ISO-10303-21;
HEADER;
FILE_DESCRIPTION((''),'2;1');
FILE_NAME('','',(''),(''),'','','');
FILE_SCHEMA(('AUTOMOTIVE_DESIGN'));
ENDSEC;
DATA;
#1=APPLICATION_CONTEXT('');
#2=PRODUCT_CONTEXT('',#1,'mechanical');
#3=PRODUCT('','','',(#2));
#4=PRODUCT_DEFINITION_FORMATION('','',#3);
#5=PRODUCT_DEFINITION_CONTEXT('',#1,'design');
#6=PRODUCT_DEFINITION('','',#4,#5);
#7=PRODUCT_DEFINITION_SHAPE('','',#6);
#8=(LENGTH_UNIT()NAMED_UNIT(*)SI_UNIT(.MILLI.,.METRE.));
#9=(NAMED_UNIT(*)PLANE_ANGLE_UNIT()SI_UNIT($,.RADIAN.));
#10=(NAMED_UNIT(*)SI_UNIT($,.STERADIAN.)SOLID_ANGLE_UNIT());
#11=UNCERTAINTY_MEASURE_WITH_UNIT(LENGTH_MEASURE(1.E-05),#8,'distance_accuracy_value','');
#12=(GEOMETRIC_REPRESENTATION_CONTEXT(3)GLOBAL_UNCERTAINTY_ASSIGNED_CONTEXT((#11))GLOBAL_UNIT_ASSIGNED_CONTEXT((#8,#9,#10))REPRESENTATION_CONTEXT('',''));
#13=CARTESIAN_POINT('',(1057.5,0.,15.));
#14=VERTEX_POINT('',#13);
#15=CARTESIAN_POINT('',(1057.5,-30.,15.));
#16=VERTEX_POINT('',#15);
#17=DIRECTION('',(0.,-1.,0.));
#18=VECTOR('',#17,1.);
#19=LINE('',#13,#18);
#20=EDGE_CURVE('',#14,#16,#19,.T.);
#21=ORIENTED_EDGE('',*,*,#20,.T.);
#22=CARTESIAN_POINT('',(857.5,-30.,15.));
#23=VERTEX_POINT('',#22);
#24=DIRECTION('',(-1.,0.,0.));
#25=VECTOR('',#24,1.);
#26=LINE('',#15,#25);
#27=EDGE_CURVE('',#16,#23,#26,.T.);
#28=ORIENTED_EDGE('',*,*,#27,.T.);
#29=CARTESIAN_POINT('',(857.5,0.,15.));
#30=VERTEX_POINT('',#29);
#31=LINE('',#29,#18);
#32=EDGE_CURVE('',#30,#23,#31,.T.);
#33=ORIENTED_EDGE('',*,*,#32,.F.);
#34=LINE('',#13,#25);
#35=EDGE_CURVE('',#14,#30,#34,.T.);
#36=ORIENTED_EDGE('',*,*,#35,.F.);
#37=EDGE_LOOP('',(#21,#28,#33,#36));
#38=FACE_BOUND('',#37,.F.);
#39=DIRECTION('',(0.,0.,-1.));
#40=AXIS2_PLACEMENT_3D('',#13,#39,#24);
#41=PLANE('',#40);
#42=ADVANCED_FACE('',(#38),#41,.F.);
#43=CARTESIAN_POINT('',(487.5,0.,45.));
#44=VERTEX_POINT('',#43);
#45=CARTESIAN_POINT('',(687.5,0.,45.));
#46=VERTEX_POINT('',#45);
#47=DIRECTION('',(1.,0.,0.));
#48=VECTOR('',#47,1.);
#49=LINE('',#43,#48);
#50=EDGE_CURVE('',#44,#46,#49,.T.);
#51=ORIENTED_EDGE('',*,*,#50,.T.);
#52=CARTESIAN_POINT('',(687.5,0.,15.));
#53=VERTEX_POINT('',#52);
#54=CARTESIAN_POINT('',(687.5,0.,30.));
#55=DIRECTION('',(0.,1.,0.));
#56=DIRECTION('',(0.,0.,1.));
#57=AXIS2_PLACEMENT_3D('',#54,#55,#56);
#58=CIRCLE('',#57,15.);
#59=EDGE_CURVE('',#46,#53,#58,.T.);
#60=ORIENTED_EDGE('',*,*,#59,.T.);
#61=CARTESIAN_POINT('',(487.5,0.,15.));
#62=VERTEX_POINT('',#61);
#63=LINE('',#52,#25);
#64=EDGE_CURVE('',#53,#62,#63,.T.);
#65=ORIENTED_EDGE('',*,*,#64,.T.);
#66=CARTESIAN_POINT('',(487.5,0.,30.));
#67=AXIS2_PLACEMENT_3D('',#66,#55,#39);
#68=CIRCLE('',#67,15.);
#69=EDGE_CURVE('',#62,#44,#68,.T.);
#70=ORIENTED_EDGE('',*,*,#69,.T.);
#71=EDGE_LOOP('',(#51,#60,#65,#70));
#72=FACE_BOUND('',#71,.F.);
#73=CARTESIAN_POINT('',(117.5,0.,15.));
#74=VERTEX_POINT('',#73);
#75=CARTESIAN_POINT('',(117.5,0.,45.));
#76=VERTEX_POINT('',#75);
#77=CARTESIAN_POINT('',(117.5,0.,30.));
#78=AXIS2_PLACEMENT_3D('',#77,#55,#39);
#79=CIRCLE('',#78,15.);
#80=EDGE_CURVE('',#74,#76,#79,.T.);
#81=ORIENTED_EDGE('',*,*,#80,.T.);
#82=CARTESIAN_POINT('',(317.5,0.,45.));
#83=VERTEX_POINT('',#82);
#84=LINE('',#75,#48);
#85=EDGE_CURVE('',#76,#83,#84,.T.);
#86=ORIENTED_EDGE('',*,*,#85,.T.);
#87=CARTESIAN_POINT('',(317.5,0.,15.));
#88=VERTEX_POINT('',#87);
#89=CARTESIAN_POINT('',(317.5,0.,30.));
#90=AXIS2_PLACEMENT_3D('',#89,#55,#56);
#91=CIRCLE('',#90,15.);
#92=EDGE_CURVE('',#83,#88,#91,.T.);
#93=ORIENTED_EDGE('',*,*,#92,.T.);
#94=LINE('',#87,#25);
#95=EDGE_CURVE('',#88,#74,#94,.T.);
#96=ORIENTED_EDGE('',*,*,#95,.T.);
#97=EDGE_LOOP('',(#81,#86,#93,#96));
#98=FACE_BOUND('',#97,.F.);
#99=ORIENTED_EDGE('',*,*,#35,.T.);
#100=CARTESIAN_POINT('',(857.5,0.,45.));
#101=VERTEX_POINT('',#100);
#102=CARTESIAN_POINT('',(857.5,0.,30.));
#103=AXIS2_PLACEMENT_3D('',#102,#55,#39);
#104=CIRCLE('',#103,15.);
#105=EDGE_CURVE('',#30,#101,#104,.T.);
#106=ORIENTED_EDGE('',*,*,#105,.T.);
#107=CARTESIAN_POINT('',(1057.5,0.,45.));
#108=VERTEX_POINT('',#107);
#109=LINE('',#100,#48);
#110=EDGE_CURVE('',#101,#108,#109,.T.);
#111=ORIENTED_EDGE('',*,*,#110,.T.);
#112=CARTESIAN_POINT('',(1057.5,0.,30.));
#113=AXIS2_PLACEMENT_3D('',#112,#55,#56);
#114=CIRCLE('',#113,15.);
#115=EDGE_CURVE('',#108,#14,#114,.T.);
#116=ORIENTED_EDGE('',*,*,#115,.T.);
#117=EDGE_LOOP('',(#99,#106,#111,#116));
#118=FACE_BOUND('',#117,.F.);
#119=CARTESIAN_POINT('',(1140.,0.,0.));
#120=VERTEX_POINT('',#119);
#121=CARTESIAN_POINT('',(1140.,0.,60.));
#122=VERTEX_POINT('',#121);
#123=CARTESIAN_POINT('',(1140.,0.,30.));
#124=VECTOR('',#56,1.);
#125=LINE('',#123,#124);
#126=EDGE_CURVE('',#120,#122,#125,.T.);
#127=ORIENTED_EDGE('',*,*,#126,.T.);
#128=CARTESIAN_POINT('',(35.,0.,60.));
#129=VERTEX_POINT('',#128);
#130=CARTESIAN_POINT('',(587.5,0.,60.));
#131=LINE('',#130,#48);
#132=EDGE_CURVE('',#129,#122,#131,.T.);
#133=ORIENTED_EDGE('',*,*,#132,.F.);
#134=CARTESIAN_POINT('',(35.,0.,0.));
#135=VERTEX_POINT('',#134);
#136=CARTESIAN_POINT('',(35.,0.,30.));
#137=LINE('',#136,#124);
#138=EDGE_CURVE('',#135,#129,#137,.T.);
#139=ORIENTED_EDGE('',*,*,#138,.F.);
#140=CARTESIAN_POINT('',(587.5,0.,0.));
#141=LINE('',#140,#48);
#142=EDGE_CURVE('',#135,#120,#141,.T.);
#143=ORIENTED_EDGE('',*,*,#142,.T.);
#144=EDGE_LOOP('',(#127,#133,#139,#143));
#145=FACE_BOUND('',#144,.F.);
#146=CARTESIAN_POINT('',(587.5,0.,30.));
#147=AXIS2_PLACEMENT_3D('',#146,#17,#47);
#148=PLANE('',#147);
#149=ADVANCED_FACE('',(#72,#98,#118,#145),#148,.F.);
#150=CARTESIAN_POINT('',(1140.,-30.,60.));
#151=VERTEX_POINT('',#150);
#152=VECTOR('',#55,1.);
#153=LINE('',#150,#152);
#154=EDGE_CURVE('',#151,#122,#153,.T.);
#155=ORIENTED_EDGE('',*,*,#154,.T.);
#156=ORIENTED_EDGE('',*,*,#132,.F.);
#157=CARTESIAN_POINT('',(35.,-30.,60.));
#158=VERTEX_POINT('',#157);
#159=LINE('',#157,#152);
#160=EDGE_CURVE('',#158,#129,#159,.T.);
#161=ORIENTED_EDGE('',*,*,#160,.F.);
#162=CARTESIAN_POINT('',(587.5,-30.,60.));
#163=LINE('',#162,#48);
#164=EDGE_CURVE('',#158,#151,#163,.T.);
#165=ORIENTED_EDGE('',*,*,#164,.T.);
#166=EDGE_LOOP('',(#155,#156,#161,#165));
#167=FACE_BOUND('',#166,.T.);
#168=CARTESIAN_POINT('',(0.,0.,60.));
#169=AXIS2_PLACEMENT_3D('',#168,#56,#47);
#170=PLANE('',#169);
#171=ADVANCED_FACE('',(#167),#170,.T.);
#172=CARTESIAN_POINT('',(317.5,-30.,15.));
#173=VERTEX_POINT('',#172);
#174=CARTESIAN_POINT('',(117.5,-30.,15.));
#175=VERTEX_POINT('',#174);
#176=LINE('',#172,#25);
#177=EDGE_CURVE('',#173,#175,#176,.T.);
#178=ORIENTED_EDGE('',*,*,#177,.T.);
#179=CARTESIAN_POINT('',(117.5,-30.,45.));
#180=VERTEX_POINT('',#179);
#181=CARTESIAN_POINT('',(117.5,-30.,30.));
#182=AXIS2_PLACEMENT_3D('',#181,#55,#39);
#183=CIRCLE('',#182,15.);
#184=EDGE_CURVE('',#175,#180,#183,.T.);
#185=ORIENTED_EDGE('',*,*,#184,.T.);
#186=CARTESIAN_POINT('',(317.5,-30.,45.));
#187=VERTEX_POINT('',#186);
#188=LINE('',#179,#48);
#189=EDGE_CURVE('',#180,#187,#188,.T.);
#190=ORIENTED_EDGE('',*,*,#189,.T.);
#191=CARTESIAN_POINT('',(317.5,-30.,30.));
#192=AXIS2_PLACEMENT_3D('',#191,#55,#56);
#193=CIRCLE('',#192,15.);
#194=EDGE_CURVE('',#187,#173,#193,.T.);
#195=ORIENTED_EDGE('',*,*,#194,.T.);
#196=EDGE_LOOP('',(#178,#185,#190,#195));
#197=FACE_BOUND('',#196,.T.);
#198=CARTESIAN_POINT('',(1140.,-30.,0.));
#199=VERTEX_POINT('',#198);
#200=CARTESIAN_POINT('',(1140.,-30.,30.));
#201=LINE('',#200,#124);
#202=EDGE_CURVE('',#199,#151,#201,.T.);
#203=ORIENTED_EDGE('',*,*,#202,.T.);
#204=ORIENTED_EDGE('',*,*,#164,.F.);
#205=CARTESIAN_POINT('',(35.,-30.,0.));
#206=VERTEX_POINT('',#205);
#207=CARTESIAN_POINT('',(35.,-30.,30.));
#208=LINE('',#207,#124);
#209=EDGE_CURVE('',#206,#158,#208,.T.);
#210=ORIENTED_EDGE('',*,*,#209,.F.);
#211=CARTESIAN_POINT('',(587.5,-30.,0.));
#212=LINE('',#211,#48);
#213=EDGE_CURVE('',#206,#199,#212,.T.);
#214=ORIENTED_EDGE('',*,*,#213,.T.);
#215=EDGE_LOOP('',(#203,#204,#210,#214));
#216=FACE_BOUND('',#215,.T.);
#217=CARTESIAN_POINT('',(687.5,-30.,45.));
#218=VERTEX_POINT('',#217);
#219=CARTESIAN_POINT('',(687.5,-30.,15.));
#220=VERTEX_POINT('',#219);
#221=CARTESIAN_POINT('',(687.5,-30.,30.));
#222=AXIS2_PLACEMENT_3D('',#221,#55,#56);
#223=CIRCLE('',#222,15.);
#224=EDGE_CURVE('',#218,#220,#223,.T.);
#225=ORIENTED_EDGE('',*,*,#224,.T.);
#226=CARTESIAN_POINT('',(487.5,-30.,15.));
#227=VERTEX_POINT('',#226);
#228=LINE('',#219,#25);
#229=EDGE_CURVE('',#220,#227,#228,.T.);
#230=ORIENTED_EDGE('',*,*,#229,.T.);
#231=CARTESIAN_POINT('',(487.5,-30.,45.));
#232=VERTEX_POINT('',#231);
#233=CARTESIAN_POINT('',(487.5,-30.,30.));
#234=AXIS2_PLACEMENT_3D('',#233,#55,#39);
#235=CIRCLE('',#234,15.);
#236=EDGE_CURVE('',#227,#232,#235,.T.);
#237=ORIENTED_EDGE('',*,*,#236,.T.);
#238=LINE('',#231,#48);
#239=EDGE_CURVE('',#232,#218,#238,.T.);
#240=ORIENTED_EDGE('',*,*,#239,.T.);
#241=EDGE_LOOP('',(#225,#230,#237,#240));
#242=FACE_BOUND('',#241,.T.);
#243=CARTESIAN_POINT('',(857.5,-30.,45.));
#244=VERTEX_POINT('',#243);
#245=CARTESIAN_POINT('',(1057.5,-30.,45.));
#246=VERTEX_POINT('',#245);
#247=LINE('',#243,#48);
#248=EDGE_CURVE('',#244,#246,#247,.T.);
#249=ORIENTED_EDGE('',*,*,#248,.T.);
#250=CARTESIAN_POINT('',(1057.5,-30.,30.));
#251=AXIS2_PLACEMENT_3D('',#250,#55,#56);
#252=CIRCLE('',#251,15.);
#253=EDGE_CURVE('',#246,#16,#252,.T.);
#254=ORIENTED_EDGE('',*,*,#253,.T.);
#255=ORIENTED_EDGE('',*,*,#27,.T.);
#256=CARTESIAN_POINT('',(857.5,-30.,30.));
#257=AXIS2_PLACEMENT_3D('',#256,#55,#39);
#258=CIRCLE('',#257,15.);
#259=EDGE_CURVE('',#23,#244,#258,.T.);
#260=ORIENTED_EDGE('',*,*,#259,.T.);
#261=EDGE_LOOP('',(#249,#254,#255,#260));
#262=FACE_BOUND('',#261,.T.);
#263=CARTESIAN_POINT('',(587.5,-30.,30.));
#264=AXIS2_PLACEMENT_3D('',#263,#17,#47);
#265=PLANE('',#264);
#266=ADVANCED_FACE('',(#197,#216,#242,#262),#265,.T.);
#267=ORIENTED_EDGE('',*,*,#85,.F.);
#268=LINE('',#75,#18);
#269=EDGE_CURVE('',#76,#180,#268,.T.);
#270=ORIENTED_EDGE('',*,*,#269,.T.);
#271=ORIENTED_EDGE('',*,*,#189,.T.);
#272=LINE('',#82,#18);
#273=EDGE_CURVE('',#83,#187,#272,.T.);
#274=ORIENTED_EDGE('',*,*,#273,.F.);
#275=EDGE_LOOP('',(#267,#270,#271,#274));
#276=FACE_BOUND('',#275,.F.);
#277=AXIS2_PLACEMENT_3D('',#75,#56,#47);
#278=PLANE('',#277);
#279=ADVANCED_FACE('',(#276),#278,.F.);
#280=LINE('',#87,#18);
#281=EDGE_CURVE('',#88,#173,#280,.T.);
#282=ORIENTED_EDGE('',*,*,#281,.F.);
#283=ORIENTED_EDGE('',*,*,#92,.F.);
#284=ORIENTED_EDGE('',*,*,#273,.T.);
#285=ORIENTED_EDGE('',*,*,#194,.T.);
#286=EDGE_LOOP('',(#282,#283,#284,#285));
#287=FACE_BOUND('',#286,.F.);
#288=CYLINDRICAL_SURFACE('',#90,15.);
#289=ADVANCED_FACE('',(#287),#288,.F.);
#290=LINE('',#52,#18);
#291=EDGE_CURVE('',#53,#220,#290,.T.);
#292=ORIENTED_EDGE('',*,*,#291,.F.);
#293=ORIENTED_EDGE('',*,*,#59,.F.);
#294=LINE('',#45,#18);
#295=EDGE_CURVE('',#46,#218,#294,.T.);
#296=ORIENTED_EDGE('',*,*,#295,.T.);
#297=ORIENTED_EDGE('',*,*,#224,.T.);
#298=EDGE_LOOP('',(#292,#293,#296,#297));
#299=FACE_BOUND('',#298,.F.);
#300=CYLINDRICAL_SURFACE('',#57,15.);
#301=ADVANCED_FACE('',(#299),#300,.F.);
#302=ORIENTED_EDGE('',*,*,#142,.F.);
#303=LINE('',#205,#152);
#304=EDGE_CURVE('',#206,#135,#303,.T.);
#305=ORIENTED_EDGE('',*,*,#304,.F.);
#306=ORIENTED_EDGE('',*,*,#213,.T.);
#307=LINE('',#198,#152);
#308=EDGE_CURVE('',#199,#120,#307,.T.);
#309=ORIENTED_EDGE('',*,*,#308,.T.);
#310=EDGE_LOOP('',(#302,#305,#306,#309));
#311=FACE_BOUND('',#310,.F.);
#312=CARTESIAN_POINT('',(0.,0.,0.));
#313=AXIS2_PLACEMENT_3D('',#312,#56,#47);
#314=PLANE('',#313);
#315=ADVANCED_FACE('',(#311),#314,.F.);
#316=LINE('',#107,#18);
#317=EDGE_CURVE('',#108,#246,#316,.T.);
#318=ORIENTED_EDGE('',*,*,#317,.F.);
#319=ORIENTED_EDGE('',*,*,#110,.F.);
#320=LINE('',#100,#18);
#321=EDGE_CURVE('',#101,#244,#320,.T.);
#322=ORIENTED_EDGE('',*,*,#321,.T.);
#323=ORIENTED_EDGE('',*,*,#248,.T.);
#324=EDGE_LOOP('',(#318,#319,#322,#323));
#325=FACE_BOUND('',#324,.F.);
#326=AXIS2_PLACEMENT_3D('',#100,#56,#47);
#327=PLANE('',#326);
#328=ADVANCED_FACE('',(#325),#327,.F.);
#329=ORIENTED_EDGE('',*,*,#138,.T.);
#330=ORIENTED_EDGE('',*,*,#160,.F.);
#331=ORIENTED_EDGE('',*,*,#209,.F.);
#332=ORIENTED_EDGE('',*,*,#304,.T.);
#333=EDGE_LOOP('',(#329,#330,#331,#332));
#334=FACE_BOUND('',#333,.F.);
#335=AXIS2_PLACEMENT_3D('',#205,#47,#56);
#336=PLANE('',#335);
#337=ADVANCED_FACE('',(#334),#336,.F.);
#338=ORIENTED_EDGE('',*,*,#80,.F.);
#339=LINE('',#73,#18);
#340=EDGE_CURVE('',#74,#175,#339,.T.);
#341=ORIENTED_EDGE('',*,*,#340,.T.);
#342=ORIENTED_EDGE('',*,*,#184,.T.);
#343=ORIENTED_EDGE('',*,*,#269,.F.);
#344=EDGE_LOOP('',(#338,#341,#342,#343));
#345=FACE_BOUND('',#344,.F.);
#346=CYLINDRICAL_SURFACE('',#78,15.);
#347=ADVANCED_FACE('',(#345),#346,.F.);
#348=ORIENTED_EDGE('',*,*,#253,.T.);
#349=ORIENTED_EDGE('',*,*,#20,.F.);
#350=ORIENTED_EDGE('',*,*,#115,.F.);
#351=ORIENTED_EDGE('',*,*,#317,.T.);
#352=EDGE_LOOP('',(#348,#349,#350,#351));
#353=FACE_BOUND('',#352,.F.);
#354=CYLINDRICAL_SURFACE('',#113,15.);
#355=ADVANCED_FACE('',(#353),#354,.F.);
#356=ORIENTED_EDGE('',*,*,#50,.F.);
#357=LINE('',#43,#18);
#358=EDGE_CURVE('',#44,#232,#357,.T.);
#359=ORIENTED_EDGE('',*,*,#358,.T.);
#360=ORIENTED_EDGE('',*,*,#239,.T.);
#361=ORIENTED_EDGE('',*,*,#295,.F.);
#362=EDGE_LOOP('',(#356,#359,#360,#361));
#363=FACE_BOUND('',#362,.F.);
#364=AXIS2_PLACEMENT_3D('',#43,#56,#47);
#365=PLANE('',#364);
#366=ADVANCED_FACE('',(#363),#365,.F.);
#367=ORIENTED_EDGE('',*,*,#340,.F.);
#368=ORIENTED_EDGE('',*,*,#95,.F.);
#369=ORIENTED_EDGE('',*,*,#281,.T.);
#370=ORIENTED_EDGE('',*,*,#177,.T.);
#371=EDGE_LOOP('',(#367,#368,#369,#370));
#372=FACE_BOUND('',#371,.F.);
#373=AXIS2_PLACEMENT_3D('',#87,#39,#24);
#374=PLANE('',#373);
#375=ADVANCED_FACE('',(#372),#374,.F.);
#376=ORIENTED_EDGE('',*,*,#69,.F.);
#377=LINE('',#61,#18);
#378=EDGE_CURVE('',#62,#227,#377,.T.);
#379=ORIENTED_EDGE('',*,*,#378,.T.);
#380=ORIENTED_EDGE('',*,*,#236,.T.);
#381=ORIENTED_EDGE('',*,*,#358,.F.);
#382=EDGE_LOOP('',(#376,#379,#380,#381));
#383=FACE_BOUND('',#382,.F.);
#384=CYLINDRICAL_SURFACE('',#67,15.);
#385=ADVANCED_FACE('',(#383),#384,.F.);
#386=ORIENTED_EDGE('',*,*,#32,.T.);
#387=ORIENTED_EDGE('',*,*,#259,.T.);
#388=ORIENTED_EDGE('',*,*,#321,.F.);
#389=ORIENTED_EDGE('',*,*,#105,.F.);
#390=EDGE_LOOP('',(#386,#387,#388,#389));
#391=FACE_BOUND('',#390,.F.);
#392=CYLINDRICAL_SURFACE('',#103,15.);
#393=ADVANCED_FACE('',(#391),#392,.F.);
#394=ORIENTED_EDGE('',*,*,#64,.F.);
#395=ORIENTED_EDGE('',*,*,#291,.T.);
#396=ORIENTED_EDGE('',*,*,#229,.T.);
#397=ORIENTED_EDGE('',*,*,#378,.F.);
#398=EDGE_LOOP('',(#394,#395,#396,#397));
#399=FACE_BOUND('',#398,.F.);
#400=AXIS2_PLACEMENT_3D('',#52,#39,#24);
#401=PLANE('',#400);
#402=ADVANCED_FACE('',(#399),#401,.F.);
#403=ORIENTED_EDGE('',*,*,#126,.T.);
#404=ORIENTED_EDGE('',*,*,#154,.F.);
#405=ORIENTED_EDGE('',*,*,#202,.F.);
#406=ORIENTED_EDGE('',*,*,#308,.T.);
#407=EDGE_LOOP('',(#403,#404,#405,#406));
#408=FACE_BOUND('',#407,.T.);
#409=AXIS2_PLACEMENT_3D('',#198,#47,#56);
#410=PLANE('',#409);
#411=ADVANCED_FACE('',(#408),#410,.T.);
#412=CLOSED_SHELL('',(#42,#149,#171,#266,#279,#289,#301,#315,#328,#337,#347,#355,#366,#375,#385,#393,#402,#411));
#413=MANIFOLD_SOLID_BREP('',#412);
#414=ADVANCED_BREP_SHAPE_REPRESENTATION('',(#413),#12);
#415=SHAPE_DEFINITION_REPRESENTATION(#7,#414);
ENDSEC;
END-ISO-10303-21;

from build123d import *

# Parameters (mm, degrees)
F0_W     = 1175
F0_H     = 60
F1_DEPTH = 30
F2_W     = 35
F2_H     = 60
F3_DEPTH = 30


with BuildPart() as f1:
    # F0 (on Front) → F1 (new body)
    with BuildSketch(Plane.XZ):
        with Locations((587.5, 30)):
            Rectangle(F0_W, F0_H)
        with BuildLine():
            Line((317.5, 15), (117.5, 15))
            ThreePointArc((117.5, 15), (102.5, 30), (117.5, 45))
            Line((117.5, 45), (317.5, 45))
            ThreePointArc((317.5, 45), (332.5, 30), (317.5, 15))
        make_face(mode=Mode.SUBTRACT)
        with BuildLine():
            Line((687.5, 15), (487.5, 15))
            ThreePointArc((487.5, 15), (472.5, 30), (487.5, 45))
            Line((487.5, 45), (687.5, 45))
            ThreePointArc((687.5, 45), (702.5, 30), (687.5, 15))
        make_face(mode=Mode.SUBTRACT)
        with BuildLine():
            Line((1057.5, 15), (857.5, 15))
            ThreePointArc((857.5, 15), (842.5, 30), (857.5, 45))
            Line((857.5, 45), (1057.5, 45))
            ThreePointArc((1057.5, 45), (1072.5, 30), (1057.5, 15))
        make_face(mode=Mode.SUBTRACT)
    extrude(amount=F1_DEPTH)

    # F2 (on face) → F3 (cut)
    with BuildSketch(Plane.XZ.offset(30)):
        with Locations((17.5, 30)):
            Rectangle(F2_W, F2_H)
        with Locations((1157.5, 30)):
            Rectangle(F2_W, F2_H)
    extrude(amount=-F3_DEPTH, mode=Mode.SUBTRACT)


solid = f1.part
